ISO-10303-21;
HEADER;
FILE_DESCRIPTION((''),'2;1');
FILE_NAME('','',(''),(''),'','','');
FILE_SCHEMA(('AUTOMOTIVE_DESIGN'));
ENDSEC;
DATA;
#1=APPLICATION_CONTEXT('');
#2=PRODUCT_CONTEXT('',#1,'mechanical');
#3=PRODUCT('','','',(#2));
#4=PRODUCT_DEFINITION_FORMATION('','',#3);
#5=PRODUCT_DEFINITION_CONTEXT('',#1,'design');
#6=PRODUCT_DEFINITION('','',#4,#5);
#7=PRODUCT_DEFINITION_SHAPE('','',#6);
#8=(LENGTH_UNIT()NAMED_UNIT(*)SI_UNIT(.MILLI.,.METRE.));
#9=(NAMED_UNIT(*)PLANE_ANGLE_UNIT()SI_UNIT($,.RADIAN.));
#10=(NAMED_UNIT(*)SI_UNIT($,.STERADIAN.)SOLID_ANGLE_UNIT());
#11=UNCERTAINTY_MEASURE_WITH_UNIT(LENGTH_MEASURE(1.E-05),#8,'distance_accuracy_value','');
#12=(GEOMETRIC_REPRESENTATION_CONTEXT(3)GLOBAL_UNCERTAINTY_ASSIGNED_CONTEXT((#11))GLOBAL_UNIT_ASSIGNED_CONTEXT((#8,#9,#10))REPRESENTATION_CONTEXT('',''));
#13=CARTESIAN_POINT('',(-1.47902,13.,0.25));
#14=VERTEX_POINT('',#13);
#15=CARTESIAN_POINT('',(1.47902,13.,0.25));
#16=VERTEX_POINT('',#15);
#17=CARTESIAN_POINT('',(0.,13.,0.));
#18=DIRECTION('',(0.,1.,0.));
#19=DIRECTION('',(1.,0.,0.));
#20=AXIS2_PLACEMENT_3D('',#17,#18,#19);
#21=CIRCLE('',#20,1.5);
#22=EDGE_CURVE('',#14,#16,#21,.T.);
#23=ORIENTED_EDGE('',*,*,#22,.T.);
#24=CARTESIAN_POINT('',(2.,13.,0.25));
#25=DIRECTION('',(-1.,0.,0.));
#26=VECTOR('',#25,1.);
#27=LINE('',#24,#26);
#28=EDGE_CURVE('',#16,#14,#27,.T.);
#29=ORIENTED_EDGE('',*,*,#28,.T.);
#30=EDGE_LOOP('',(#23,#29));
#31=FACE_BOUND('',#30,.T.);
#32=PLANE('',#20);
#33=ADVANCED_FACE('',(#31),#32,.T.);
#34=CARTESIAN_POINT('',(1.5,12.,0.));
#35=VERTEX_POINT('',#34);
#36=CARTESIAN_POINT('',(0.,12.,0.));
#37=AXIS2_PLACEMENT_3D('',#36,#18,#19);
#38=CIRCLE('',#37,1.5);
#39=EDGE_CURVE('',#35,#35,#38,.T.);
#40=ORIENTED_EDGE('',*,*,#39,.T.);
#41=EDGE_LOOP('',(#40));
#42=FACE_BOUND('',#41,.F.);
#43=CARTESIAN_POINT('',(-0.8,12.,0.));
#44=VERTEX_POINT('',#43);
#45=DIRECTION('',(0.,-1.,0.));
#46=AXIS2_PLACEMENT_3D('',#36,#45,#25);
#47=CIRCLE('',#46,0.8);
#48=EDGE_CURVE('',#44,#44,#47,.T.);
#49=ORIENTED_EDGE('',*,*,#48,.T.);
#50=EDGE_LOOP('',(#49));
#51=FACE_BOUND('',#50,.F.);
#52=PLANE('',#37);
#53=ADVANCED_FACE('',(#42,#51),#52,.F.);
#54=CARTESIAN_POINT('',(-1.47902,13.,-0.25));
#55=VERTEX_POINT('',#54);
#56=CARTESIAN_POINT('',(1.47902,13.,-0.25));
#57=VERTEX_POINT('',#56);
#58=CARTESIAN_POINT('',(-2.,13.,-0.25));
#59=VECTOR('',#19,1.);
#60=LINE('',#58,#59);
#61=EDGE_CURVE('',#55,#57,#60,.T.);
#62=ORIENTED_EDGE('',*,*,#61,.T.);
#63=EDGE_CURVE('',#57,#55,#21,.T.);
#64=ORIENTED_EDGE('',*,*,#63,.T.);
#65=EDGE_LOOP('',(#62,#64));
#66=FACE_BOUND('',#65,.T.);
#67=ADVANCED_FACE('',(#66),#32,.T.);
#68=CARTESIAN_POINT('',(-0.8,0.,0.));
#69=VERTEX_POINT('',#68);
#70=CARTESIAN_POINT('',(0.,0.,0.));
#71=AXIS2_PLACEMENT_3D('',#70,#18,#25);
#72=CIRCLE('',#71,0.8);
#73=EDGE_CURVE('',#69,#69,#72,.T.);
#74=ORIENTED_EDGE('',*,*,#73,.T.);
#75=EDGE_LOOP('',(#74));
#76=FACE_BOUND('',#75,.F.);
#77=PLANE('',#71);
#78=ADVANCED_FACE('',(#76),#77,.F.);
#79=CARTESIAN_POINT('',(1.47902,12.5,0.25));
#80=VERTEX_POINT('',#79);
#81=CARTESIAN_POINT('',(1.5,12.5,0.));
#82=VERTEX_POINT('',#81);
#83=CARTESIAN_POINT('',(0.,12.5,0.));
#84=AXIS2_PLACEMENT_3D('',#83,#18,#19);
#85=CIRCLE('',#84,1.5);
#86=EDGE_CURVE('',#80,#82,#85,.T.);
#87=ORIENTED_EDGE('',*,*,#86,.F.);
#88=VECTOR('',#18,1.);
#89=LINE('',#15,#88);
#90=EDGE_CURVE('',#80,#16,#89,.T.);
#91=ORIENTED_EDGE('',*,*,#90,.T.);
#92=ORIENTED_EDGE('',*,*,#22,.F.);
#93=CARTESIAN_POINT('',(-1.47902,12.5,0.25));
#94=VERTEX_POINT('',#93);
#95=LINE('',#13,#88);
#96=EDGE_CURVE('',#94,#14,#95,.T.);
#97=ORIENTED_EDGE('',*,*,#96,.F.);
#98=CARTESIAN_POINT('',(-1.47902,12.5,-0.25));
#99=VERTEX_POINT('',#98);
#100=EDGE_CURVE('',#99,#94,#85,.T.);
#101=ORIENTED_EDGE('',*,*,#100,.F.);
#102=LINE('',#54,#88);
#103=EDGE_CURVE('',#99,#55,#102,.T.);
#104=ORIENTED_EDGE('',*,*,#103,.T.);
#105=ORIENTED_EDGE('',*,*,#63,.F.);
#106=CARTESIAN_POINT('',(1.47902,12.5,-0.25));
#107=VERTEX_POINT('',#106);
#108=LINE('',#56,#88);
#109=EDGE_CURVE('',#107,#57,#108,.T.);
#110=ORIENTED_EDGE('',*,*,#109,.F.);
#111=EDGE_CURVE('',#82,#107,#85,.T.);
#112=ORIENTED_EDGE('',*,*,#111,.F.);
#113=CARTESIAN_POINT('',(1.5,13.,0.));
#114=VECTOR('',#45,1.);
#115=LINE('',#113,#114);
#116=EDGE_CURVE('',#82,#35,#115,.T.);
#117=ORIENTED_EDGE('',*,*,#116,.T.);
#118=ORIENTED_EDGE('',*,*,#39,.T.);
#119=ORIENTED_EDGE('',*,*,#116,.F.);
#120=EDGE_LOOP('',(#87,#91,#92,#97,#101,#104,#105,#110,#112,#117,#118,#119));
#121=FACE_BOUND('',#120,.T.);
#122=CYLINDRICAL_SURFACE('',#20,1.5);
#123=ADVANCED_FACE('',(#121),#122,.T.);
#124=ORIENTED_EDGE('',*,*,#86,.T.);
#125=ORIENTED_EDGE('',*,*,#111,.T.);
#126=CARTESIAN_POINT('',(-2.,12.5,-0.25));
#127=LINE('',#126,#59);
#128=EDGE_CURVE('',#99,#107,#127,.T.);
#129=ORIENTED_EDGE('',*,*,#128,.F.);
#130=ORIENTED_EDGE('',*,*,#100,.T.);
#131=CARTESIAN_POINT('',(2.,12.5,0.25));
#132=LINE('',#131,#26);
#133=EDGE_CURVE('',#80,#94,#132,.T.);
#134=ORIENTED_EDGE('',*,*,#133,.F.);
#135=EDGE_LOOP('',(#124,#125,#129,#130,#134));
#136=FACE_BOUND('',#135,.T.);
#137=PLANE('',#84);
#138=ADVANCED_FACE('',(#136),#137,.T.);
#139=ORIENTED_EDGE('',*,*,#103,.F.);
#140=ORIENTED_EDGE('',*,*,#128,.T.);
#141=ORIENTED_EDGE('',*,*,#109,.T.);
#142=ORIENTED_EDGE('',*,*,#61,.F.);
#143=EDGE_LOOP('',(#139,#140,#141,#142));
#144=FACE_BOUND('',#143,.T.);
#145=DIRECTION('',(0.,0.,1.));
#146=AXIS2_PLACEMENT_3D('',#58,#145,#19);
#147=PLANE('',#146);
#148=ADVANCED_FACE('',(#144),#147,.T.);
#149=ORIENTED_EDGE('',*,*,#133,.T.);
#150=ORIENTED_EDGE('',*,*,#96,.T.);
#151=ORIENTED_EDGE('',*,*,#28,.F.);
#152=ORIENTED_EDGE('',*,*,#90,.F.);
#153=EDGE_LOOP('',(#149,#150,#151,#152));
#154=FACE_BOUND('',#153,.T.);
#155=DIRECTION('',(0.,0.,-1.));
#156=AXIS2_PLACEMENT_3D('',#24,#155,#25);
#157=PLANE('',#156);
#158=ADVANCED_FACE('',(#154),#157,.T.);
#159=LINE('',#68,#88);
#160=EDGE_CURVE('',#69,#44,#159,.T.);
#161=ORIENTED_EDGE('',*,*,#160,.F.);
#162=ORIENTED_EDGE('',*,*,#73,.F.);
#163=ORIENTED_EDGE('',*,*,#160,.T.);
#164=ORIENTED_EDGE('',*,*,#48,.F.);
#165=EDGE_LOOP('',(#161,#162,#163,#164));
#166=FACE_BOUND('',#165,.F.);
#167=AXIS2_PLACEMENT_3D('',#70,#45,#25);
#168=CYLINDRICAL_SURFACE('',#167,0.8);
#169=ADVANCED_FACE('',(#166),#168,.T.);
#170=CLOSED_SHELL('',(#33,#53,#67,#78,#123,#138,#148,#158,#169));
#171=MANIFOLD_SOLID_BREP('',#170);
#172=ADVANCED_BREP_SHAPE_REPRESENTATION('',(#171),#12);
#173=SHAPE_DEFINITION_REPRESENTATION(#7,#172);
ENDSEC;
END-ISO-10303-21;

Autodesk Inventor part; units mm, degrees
ref_plane "YZ Plane" through (0, 0, 0) normal (1, 0, 0) x (0, 1, 0)
ref_plane "XZ Plane" through (0, 0, 0) normal (0, 1, 0) x (-1, 0, 0)
ref_plane "XY Plane" through (0, 0, 0) normal (0, 0, 1) x (1, 0, 0)
sketch "Sketch1" plane through (0, 0, 0) normal (0, 1, 0) x (-1, 0, 0)
  circle A0 centre (0, 0) radius 0.8
  dimension "d0" = 1.6
extrude "Extrusion1" add sketch "Sketch1" along normal blind 13
sketch "Sketch2" plane through (0, 13, 0) normal (0, 1, 0) x (1, 0, 0)
  circle A0 centre (0, 0) radius 0.8 projected
  circle A1 centre (0, 0) radius 1.5
  dimension "d3" = 3
extrude "Extrusion2" add sketch "Sketch2" against normal blind 1
sketch "Sketch3" plane through (0, 13, 0) normal (0, 1, 0) x (1, 0, 0)
  line L0 (2, -0.25) -> (-2, -0.25)
  line L1 (-2, -0.25) -> (-2, 0.25)
  line L2 (-2, 0.25) -> (2, 0.25)
  line L3 (2, 0.25) -> (2, -0.25)
  line L4 (2, -0.25) -> (-2, 0.25) construction
  line L5 (-2, -0.25) -> (2, 0.25) construction
  point P0 (0, 0)
  dimension "d6" = 0.5
  dimension "d7" = 4
extrude "Extrusion3" cut sketch "Sketch3" against normal blind 0.5
properties part number "M1.6x0.35 Bolt" material "Aluminum 6061"
